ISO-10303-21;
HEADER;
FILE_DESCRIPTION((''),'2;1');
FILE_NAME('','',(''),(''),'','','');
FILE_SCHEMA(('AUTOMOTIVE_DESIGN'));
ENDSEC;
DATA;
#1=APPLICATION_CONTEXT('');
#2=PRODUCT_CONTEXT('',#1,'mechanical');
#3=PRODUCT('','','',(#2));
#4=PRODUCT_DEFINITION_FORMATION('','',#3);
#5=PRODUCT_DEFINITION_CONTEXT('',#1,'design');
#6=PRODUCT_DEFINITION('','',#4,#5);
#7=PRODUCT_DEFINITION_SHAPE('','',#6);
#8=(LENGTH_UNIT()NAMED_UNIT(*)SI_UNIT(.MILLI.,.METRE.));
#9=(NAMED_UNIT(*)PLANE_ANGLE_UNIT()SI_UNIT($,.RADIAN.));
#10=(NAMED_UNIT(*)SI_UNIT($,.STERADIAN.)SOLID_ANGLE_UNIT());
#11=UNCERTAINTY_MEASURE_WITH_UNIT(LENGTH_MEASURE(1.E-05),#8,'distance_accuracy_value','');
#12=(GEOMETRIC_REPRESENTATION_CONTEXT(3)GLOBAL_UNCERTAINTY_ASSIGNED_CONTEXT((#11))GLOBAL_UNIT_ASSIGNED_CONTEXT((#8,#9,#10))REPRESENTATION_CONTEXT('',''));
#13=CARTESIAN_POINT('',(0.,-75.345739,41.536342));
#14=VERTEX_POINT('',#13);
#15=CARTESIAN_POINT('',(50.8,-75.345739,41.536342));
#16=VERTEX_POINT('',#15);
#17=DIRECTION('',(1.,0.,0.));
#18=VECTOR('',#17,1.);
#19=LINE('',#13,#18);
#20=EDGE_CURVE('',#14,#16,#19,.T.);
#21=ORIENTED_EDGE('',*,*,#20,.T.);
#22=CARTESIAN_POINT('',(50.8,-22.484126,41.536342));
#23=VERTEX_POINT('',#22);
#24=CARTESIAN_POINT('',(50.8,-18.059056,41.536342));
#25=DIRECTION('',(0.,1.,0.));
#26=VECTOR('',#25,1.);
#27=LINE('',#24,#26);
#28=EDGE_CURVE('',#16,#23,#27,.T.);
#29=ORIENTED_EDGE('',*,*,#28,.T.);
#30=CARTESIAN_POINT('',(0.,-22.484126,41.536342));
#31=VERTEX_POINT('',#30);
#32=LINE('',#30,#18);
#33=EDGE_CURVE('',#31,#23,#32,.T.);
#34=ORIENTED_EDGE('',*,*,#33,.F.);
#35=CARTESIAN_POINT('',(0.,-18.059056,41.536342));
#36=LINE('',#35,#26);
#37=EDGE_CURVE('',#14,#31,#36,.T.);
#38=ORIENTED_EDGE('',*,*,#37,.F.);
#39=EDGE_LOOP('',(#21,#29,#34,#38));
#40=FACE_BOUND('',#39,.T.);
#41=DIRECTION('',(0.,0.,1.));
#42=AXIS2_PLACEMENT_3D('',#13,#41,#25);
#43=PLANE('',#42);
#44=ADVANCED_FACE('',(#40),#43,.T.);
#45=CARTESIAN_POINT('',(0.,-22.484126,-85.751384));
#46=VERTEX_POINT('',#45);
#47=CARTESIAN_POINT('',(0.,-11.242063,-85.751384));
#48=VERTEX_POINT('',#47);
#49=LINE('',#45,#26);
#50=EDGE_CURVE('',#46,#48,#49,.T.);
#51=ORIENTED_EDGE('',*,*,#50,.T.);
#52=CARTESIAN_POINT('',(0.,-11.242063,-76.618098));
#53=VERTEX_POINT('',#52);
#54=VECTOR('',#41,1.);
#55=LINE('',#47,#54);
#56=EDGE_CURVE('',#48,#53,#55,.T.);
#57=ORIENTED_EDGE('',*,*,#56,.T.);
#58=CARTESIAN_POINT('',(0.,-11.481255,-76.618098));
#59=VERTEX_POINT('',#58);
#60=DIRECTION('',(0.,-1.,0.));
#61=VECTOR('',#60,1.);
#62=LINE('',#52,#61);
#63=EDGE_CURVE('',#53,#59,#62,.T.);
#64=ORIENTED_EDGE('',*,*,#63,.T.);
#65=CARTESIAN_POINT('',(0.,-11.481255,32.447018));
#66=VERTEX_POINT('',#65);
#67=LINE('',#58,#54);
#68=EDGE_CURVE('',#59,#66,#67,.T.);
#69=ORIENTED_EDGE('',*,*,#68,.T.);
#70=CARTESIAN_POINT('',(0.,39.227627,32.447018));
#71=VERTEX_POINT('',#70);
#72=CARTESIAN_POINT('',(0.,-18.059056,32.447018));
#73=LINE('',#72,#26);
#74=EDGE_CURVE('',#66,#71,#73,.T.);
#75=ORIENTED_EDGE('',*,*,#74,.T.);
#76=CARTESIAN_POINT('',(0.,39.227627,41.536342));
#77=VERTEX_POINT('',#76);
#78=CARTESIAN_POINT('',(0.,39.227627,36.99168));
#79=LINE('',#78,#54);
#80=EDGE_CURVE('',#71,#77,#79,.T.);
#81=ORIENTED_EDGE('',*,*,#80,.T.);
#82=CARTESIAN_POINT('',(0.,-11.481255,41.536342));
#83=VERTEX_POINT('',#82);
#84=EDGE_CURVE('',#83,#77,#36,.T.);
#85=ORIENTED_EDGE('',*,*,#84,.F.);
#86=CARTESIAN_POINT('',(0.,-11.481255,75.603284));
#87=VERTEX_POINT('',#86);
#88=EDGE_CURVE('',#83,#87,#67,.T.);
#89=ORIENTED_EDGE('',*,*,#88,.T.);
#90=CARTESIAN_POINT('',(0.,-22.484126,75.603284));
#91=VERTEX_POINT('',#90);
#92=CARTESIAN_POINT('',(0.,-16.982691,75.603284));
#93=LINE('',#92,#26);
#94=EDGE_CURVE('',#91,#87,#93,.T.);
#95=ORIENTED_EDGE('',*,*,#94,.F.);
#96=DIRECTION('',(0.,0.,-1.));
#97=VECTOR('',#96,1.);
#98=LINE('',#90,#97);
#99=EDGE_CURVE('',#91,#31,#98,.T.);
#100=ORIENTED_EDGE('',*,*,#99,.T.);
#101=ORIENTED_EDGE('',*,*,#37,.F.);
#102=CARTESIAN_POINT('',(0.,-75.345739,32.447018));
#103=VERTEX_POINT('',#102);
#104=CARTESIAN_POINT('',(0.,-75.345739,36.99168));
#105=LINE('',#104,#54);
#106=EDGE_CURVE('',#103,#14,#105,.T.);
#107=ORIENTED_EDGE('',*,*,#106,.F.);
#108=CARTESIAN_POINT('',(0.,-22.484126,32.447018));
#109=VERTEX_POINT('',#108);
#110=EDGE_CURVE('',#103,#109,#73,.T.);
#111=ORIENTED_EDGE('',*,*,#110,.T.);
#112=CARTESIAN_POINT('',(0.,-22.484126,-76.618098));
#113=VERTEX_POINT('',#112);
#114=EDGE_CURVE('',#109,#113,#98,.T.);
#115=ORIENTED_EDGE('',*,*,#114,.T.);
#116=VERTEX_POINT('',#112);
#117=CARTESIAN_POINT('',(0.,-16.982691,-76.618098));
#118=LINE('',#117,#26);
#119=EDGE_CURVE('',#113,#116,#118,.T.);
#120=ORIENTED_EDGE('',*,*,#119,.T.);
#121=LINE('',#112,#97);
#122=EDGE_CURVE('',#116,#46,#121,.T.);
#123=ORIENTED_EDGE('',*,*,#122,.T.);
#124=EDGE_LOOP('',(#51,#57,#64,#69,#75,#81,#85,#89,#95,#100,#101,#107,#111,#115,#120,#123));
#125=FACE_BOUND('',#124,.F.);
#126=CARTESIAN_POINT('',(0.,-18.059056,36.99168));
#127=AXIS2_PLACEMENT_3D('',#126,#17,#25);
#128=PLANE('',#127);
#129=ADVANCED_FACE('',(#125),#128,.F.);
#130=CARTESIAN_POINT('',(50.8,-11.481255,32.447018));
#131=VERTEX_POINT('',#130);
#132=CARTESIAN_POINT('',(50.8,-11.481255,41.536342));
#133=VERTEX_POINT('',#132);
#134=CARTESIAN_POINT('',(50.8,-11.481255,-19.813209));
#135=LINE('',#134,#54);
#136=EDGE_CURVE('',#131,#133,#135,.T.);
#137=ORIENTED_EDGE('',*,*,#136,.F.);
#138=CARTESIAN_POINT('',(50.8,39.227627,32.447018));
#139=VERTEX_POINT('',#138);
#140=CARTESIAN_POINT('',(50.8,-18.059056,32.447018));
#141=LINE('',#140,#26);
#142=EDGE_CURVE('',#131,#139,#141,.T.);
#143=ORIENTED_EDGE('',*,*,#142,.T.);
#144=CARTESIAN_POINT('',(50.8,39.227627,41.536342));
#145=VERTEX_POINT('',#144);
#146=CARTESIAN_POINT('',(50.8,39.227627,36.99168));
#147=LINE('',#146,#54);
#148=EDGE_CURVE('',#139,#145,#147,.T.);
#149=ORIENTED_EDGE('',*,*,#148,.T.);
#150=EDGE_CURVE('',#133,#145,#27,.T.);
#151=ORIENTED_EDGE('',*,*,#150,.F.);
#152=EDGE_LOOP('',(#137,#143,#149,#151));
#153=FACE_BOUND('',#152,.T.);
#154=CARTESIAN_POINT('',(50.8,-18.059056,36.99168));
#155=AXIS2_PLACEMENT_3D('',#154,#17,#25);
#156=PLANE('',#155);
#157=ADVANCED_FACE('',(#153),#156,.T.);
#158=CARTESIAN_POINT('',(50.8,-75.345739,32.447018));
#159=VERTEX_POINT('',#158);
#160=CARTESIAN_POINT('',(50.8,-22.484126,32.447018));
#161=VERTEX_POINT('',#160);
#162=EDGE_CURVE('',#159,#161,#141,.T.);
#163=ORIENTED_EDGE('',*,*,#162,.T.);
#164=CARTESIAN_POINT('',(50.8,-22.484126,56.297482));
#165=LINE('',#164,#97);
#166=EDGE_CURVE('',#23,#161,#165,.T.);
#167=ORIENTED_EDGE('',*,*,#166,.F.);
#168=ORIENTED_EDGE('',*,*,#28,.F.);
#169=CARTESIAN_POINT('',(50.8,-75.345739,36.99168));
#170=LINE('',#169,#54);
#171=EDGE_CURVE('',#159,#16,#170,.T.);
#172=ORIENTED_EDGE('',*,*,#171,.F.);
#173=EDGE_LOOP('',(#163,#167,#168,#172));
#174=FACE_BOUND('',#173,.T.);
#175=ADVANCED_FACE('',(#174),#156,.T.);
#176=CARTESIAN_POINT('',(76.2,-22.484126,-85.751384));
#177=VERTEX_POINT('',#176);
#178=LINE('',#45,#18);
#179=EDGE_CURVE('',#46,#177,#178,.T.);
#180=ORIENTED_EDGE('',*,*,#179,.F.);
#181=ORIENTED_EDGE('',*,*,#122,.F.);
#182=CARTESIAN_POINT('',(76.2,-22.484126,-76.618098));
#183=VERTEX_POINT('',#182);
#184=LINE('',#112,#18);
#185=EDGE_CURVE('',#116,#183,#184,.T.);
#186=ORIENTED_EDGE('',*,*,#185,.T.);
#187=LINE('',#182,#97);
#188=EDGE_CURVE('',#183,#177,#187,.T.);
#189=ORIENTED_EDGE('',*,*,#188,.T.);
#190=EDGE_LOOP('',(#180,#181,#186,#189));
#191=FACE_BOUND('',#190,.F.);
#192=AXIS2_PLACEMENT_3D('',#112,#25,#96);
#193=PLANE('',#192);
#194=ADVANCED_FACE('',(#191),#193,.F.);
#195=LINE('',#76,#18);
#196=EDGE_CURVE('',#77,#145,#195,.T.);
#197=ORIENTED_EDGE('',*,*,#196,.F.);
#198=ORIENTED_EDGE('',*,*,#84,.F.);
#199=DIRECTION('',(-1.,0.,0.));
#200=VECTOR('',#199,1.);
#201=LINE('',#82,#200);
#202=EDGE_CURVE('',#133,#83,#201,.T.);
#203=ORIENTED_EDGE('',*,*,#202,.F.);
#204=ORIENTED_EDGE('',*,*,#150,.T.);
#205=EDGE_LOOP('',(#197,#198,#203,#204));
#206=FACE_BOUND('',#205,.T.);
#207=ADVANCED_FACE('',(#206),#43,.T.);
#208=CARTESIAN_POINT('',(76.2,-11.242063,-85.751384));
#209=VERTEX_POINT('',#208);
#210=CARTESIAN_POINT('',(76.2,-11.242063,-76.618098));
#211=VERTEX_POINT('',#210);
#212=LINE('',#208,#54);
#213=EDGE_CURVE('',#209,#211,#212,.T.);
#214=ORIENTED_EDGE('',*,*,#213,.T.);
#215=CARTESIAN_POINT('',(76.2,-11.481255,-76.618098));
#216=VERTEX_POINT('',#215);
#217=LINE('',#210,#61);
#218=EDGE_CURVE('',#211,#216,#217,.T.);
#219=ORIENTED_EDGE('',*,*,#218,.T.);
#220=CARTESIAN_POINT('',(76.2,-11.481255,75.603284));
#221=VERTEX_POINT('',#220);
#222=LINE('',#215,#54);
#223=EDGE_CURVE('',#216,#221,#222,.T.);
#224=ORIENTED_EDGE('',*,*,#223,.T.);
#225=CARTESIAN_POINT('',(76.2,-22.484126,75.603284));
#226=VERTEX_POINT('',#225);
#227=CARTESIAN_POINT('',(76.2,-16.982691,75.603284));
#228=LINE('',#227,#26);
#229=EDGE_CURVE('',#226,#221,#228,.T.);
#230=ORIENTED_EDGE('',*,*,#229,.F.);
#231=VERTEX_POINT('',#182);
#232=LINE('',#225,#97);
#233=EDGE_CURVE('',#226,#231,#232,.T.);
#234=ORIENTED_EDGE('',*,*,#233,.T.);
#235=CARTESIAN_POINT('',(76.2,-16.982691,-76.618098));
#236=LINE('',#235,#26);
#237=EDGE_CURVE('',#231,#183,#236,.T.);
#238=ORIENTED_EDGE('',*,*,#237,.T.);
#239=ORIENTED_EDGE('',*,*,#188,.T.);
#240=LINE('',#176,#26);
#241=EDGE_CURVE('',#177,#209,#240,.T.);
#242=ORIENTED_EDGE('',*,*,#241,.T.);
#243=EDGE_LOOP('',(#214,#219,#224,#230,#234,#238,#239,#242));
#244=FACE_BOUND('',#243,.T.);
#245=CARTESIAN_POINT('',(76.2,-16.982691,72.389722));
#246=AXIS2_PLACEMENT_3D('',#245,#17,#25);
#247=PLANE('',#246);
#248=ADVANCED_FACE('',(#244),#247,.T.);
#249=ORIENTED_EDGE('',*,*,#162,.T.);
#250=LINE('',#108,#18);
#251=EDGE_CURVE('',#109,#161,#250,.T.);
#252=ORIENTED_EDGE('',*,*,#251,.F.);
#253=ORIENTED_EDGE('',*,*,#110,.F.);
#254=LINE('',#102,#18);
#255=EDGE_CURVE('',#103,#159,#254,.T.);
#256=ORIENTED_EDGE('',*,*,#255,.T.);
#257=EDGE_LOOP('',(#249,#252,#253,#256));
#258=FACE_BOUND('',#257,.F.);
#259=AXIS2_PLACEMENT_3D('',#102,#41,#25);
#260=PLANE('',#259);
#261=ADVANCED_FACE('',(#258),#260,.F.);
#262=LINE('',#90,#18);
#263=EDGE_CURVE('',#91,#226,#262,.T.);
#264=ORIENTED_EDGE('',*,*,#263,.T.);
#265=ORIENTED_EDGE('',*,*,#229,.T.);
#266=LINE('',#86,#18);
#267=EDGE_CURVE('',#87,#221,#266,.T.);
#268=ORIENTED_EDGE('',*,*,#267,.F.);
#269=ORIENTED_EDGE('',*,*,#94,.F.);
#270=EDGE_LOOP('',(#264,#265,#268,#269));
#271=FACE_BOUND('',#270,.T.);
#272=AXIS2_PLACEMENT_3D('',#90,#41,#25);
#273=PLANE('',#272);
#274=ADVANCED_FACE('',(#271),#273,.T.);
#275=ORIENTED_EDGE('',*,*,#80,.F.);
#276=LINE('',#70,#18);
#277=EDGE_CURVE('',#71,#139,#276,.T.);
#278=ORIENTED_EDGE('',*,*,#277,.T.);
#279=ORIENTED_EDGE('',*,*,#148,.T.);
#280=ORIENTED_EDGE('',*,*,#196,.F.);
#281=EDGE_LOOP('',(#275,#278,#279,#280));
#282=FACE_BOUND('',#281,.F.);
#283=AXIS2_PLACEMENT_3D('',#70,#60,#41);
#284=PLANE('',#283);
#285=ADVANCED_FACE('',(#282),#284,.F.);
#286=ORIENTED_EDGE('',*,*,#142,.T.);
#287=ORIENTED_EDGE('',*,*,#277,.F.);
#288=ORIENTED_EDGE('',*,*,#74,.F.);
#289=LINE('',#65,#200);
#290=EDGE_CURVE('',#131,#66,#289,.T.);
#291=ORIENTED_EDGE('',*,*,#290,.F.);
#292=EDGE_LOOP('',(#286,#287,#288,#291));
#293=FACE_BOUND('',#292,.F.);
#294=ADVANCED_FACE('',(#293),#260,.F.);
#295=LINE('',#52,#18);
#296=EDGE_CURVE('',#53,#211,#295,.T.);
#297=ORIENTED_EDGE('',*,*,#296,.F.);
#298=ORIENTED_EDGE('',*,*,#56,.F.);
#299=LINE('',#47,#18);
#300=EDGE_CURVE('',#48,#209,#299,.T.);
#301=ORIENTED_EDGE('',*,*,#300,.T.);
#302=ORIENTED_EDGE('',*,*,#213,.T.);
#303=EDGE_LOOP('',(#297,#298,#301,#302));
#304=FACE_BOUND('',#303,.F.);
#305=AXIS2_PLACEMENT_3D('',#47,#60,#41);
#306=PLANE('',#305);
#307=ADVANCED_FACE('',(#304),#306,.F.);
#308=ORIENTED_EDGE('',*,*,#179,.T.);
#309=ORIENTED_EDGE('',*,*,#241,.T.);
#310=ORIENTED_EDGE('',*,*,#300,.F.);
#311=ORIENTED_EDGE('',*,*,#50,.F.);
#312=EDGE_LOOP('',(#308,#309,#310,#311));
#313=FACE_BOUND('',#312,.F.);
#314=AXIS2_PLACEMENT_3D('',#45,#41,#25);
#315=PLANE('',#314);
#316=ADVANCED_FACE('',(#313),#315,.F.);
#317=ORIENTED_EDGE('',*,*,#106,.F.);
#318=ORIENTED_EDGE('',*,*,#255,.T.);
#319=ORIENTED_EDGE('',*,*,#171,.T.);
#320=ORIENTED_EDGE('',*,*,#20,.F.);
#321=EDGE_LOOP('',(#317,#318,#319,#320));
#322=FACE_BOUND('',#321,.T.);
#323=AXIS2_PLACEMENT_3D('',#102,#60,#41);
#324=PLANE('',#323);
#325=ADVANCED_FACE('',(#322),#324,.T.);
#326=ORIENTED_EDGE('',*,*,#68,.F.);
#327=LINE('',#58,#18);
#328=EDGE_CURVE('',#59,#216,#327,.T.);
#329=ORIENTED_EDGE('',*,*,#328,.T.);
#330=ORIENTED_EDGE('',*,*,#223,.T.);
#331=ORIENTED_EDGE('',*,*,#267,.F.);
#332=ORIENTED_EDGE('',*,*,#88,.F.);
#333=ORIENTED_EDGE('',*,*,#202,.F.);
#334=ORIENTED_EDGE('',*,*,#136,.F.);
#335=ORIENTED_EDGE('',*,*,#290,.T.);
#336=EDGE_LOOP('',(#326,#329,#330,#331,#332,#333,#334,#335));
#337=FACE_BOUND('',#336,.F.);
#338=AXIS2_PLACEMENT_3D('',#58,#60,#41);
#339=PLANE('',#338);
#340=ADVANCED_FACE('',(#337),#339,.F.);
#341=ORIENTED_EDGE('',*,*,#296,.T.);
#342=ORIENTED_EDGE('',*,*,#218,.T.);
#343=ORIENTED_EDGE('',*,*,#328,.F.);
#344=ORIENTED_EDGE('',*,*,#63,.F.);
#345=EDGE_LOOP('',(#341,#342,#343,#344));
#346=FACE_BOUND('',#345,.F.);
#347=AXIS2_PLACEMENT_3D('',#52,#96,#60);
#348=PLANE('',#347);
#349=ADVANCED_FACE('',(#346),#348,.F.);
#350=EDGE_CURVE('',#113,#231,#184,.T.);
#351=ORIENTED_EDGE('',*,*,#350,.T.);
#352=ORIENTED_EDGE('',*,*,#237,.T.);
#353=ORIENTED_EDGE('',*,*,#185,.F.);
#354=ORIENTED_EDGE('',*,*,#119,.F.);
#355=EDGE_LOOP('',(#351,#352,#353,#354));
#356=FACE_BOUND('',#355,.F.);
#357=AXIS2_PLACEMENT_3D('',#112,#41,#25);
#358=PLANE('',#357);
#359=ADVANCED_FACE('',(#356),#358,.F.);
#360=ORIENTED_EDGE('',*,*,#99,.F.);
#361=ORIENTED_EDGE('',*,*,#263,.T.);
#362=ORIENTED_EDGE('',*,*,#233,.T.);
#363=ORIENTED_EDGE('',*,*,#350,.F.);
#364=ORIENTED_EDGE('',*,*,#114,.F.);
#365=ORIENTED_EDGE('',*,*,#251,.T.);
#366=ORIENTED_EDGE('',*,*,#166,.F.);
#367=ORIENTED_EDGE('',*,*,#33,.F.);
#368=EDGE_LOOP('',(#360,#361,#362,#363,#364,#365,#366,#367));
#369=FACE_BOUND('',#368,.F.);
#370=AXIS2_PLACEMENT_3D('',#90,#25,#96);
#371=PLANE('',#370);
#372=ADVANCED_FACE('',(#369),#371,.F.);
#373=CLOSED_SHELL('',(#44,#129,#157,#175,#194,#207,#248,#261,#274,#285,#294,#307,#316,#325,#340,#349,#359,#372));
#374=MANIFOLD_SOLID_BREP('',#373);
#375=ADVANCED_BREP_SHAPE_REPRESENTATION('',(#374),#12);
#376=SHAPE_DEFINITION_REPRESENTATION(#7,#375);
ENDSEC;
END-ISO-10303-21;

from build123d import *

# Parameters (mm, degrees)
F0_W     = 11.002871
F0_H     = 6.427124
F0_H_2   = 145.794258
F1_DEPTH = 76.2
F2_W     = 114.573367
F2_H     = 9.089324
F3_DEPTH = 50.8


with BuildPart() as f1:
    # F0 (on Right) → F1 (new body)
    with BuildSketch(Plane.YZ):
        with Locations((-16.982691, 72.389722)):
            Rectangle(F0_W, F0_H)
        with Locations((-16.982691, -3.720969)):
            Rectangle(F0_W, F0_H_2)
        Polygon((-11.481255, -76.618098), (-22.484126, -76.618098), (-22.484126, -85.751384), (-11.242063, -85.751384), (-11.242063, -76.618098), align=None)
    extrude(amount=F1_DEPTH)

    # F2 (on Right) → F3 (join)
    with BuildSketch(Plane.YZ):
        with Locations((-18.059056, 36.99168)):
            Rectangle(F2_W, F2_H)
    extrude(amount=F3_DEPTH)


solid = f1.part
